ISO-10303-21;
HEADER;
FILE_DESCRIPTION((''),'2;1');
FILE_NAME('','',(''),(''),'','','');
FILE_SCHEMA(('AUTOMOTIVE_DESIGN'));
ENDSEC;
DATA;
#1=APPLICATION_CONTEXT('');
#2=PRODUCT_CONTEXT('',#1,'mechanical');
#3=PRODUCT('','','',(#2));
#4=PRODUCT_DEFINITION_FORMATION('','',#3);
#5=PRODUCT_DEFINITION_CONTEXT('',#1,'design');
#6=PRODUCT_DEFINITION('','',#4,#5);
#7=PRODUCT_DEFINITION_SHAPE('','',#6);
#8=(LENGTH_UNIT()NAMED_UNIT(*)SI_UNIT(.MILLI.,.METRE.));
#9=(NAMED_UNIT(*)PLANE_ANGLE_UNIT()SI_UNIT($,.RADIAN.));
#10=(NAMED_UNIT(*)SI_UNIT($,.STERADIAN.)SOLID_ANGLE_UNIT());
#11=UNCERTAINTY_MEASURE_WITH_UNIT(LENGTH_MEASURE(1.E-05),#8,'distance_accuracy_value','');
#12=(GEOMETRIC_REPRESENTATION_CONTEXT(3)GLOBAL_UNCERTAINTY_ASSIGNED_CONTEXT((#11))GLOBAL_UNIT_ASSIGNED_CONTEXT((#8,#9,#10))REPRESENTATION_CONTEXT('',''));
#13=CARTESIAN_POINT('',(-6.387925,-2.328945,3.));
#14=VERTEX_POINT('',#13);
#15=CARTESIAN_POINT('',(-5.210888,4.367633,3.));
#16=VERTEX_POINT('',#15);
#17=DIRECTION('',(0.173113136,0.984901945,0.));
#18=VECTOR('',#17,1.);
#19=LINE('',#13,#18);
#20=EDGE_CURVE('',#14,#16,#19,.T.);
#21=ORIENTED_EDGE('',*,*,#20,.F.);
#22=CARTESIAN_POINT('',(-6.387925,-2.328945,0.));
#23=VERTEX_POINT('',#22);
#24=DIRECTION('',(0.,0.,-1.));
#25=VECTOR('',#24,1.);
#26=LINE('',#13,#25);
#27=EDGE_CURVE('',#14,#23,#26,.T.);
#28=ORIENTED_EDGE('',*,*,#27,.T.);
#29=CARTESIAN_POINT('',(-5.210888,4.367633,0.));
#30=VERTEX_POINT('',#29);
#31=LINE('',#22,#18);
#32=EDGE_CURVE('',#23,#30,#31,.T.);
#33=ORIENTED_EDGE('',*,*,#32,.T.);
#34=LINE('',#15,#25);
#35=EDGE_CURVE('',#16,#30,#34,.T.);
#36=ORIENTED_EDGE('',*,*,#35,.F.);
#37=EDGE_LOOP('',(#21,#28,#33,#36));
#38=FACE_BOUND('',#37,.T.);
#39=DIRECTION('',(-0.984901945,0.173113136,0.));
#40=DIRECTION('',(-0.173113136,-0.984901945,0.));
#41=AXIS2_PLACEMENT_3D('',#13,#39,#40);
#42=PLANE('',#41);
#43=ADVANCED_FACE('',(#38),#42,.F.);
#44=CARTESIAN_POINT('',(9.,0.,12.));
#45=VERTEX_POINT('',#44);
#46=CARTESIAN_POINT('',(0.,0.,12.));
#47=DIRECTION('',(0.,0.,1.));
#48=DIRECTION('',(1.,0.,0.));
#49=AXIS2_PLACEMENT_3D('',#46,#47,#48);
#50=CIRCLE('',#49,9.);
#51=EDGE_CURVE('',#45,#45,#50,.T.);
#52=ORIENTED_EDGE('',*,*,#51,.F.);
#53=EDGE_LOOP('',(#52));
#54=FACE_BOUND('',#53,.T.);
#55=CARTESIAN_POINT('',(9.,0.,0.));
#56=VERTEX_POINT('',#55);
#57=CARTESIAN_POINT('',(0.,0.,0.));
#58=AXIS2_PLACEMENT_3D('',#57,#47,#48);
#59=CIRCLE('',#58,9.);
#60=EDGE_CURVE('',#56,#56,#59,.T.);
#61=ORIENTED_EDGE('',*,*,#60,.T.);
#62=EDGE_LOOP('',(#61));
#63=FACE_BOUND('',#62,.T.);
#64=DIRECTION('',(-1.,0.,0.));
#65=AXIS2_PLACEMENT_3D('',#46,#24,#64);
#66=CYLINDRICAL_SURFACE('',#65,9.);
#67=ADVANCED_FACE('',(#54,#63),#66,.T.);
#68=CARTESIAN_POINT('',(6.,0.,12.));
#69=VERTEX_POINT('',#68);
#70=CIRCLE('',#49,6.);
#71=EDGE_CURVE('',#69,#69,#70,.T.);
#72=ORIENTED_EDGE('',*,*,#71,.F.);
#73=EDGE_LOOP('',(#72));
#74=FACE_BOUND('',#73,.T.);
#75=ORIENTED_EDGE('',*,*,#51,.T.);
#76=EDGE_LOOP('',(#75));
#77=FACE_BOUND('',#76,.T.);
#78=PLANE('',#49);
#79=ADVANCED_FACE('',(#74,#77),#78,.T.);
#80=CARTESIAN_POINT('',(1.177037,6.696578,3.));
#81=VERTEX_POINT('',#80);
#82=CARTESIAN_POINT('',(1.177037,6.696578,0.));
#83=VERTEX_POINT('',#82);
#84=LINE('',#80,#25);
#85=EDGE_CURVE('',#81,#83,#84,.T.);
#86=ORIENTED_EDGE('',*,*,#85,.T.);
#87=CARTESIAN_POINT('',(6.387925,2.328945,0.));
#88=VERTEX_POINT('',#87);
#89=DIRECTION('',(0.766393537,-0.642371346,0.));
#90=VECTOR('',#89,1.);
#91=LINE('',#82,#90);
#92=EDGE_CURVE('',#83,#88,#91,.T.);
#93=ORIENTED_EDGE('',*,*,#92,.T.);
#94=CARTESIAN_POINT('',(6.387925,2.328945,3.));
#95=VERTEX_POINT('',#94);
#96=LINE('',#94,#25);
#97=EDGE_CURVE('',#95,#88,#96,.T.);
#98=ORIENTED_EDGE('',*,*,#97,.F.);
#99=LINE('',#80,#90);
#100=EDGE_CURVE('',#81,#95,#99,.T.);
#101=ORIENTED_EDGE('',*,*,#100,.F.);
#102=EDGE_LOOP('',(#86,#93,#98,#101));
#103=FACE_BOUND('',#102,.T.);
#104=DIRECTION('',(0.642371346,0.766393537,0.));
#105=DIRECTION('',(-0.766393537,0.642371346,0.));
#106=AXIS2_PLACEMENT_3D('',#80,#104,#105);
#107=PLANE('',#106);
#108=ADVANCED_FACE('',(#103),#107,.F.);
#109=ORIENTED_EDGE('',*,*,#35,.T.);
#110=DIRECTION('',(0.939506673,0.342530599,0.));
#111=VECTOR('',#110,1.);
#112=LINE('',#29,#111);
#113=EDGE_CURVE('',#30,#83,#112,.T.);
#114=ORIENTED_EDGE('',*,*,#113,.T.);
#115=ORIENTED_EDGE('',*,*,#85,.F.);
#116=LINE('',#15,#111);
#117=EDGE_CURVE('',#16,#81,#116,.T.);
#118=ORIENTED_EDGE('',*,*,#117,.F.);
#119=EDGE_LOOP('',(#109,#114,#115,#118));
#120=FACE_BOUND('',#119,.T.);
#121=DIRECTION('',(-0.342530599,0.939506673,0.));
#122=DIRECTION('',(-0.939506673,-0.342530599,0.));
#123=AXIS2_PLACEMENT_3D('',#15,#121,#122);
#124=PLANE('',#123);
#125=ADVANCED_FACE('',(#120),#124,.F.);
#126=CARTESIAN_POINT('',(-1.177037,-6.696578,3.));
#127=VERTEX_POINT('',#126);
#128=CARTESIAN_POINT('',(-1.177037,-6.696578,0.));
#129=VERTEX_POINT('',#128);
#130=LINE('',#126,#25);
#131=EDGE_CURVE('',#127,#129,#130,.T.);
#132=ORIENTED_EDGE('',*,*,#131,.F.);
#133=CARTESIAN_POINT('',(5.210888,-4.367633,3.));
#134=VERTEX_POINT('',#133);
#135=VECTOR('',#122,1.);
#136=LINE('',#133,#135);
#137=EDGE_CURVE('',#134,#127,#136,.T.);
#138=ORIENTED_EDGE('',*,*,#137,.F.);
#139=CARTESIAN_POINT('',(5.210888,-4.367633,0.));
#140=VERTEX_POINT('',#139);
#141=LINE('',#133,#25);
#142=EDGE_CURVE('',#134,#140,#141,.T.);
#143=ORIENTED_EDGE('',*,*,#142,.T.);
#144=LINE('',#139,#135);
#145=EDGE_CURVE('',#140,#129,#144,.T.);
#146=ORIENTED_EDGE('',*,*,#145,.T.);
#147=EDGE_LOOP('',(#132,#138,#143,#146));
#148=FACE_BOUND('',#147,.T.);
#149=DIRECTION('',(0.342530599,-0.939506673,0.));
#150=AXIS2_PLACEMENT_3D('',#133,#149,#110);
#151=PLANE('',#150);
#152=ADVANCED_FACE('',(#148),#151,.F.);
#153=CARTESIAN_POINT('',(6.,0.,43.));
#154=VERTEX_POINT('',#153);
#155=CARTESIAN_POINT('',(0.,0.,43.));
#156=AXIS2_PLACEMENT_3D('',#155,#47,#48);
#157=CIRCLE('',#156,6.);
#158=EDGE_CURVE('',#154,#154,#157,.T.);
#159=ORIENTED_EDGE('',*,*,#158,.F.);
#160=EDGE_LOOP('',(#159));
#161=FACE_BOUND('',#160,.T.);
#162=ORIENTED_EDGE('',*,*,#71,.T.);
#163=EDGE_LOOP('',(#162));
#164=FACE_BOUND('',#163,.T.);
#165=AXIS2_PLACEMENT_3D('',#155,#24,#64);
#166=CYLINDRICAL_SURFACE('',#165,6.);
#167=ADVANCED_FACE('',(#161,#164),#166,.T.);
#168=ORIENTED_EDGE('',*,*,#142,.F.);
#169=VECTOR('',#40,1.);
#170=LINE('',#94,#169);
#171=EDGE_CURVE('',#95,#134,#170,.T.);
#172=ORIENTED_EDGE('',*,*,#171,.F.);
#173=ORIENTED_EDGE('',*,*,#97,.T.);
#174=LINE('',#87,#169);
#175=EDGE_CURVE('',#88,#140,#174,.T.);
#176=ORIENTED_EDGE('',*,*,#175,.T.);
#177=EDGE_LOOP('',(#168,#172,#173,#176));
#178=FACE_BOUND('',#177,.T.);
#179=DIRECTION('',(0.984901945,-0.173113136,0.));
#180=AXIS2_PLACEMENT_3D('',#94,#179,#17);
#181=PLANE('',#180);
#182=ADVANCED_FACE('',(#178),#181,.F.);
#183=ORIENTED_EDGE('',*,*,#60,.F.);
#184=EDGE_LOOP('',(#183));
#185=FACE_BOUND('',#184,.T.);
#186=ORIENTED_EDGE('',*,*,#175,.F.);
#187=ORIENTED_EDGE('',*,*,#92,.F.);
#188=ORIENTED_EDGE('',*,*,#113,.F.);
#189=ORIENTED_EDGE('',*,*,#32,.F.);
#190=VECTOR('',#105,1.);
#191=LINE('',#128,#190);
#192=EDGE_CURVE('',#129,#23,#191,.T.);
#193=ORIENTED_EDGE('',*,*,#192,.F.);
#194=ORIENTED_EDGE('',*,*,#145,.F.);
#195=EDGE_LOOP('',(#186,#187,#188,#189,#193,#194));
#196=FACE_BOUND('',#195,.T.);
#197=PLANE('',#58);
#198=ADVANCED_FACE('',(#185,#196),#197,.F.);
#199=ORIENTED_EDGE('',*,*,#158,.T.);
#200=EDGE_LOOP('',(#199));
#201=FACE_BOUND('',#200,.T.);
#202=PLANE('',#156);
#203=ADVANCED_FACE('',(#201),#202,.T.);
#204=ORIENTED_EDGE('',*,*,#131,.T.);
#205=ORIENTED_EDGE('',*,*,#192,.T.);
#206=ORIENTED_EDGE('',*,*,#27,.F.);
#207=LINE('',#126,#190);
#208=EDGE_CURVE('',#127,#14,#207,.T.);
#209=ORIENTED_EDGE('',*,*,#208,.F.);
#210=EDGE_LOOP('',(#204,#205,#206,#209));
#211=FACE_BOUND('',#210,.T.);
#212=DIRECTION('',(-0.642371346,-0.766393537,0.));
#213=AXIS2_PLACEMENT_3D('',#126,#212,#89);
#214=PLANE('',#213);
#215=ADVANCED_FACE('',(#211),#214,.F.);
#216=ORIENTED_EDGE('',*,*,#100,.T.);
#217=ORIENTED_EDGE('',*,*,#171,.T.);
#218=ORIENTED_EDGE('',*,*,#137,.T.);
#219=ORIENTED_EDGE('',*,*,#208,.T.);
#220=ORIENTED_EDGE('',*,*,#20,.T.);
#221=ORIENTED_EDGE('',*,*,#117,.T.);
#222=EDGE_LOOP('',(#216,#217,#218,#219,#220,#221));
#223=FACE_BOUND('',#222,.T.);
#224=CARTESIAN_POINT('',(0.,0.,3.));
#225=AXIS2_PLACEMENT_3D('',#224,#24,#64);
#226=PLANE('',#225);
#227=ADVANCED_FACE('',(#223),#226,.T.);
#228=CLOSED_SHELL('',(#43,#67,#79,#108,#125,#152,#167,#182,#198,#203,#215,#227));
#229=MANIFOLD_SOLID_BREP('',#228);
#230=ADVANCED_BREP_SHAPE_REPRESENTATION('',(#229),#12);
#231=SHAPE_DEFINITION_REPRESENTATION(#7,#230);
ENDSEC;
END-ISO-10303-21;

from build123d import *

# Parameters (mm, degrees)
SKETCH_1_R          = 9
EXTRUDE_1_DEPTH     = 12
SKETCH_2_R          = 6
EXTRUDE_2_DEPTH     = 31
CUT_EXTRUDE_1_DEPTH = 3


with BuildPart() as part:
    # ｽｹｯﾁ1 → ﾎﾞｽ - 押し出し1 (new body)
    with BuildSketch(Plane.XY):
        Circle(SKETCH_1_R)
    extrude(amount=EXTRUDE_1_DEPTH)

    # ｽｹｯﾁ2 → ﾎﾞｽ - 押し出し2 (add)
    with BuildSketch(Plane.XY.offset(12)):
        Circle(SKETCH_2_R)
    extrude(amount=EXTRUDE_2_DEPTH)

    # ｽｹｯﾁ3 → ｶｯﾄ - 押し出し1 (cut)
    with BuildSketch(Plane(origin=(0, 0, 0), x_dir=(-1, 0, 0), z_dir=(0, 0, -1))):
        Polygon((5.210888491, 4.367632677), (-1.177036607, 6.696578149), (-6.387925099, 2.328945471), (-5.210888491, -4.367632677), (1.177036607, -6.696578149), (6.387925099, -2.328945471), align=None)
    extrude(amount=-CUT_EXTRUDE_1_DEPTH, mode=Mode.SUBTRACT)


solid = part.part
